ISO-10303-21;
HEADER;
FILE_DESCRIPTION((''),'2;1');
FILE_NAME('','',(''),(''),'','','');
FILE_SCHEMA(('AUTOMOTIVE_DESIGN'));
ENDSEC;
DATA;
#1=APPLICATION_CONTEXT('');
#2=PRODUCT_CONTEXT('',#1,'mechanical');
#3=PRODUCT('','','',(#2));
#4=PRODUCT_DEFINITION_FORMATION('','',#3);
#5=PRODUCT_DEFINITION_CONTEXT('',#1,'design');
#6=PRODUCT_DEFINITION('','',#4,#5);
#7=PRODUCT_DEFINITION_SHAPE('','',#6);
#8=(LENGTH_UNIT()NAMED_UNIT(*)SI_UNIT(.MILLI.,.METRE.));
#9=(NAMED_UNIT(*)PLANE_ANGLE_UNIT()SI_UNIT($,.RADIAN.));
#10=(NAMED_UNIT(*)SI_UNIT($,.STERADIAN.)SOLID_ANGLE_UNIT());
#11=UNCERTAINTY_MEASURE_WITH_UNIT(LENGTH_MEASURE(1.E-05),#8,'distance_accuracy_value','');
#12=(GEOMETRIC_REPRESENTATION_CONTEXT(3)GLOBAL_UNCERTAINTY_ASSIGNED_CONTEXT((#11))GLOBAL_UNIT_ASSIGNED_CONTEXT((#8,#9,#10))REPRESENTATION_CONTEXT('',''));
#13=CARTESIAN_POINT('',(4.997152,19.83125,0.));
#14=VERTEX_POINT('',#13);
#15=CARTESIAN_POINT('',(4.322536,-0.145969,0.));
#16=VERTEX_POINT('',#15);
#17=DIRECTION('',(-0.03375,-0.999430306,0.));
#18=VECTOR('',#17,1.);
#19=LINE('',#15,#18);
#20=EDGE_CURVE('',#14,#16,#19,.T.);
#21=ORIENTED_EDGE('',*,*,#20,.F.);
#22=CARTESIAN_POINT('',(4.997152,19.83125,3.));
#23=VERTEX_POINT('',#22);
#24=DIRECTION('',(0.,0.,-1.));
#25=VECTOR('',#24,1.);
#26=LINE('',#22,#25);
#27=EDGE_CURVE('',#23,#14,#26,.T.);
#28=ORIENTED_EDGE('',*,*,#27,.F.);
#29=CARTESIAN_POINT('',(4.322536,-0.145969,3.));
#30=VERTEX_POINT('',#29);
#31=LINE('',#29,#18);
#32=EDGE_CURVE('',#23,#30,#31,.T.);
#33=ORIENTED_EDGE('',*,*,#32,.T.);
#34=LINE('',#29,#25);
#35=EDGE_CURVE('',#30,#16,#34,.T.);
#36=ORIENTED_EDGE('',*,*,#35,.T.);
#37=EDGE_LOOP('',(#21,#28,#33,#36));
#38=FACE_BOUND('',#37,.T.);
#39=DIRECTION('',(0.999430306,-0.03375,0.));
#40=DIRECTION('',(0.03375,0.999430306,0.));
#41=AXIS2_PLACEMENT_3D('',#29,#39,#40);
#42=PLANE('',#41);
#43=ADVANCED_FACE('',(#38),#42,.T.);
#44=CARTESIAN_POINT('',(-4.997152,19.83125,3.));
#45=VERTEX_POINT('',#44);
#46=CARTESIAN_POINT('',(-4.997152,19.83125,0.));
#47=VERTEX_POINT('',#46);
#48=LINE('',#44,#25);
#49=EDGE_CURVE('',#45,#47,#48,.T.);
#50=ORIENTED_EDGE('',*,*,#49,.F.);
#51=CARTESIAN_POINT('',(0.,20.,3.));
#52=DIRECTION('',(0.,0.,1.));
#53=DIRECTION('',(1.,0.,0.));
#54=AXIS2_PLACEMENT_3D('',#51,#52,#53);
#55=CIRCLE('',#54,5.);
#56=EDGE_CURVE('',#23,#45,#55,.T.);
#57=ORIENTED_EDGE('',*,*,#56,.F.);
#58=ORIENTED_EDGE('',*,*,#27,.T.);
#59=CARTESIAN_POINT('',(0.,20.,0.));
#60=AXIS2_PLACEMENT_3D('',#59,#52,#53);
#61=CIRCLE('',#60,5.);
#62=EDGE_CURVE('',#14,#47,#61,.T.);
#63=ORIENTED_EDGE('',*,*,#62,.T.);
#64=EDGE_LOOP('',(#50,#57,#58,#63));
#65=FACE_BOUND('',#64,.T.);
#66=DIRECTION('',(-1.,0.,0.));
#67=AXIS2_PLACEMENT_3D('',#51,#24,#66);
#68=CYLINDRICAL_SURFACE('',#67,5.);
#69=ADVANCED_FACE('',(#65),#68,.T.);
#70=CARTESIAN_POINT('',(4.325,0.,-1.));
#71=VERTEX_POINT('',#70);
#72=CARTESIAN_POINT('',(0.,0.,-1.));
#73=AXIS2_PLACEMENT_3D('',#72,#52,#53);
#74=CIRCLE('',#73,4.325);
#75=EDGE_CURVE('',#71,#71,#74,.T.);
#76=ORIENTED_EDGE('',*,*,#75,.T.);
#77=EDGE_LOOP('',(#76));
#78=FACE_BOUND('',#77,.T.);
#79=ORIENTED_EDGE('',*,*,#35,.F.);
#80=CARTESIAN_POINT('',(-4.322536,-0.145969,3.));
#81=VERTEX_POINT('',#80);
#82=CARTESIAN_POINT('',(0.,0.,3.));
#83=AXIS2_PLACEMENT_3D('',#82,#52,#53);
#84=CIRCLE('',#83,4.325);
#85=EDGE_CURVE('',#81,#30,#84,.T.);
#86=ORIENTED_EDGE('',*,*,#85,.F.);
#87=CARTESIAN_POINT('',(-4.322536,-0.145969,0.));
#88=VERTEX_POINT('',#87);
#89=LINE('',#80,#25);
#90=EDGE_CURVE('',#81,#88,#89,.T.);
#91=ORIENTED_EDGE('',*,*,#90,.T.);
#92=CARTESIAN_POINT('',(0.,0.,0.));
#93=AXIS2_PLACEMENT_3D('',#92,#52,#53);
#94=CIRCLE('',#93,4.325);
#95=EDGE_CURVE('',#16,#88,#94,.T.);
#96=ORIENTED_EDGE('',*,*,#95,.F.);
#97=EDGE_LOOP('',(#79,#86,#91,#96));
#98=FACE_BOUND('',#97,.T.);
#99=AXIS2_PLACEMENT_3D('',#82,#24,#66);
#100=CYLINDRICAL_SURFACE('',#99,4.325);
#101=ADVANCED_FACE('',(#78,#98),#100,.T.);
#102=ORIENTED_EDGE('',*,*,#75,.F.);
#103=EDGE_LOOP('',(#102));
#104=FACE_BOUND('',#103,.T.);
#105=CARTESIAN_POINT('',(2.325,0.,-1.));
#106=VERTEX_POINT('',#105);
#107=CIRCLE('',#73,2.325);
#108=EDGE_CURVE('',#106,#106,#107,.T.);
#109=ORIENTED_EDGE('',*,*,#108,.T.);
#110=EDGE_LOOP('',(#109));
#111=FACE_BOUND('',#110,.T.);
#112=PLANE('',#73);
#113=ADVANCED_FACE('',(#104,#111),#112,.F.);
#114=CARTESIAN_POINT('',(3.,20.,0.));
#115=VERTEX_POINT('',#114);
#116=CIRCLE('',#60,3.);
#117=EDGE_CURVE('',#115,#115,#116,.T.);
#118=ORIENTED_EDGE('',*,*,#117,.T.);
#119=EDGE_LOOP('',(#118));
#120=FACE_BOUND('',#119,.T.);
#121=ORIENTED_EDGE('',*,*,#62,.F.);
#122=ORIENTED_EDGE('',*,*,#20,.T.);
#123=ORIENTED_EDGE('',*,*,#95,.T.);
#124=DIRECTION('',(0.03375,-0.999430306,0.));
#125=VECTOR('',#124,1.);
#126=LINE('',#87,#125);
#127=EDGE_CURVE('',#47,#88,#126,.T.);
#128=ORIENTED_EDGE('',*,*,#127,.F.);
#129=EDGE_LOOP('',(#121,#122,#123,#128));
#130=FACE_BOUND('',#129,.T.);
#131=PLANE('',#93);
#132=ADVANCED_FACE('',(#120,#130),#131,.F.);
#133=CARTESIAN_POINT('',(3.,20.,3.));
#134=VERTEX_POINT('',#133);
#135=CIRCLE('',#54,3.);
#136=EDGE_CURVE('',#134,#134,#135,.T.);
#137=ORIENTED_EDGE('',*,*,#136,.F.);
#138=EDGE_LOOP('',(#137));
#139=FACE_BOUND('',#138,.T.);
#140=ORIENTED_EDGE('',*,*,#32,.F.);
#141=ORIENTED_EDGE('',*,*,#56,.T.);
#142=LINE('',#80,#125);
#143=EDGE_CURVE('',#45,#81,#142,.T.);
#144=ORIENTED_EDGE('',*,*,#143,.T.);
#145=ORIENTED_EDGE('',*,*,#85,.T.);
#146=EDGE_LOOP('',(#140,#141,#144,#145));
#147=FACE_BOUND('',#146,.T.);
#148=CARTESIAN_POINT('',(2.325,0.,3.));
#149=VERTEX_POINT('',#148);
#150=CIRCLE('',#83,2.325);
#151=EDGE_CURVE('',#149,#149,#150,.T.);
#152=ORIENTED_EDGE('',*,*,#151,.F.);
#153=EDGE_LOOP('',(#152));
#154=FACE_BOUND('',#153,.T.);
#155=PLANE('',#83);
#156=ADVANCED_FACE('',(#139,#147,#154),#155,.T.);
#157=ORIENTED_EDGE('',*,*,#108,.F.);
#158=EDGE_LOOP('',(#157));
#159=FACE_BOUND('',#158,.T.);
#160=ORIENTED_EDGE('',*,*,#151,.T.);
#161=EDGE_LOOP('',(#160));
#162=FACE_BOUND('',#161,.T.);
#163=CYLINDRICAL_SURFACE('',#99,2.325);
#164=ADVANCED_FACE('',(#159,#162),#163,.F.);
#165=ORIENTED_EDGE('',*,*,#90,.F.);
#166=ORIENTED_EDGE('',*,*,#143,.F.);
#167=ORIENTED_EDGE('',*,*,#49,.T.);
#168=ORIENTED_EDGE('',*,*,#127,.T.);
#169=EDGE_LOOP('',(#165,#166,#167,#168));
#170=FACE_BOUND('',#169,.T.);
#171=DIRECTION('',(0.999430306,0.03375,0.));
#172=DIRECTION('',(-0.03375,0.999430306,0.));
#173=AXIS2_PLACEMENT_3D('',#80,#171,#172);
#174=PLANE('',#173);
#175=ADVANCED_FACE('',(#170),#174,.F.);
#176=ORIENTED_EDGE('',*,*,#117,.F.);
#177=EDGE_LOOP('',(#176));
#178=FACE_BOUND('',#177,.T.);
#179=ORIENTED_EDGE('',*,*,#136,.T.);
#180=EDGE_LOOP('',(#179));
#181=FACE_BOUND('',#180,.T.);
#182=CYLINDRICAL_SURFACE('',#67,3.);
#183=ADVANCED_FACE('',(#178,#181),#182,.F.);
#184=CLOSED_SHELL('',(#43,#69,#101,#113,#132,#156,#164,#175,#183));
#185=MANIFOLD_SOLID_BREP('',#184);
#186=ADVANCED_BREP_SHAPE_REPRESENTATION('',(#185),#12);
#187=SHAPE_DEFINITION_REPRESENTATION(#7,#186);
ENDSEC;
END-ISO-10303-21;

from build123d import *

# Parameters (mm, degrees)
SKETCH1_R           = 2.325
SKETCH1_R_2         = 3
BOSS_EXTRUDE1_DEPTH = 3
BOSS_EXTRUDE2_START = -1
SKETCH1_3_R         = 4.325
SKETCH1_3_R_2       = 2.325
BOSS_EXTRUDE2_DEPTH = 1


with BuildPart() as part:
    # Sketch1 → Boss-Extrude1 (new body)
    with BuildSketch(Plane.XY):
        with BuildLine():
            Line((-4.997151532, 19.83125), (-4.322536076, -0.14596875))
            ThreePointArc((-4.322536076, -0.14596875), (0, -4.325), (4.322536076, -0.14596875))
            Line((4.322536076, -0.14596875), (4.997151532, 19.83125))
            ThreePointArc((4.997151532, 19.83125), (0, 25), (-4.997151532, 19.83125))
        make_face()
        Circle(SKETCH1_R, mode=Mode.SUBTRACT)
        with Locations((0, 20)):
            Circle(SKETCH1_R_2, mode=Mode.SUBTRACT)
    extrude(amount=BOSS_EXTRUDE1_DEPTH)

    # Sketch1<3> → Boss-Extrude2 (add)
    with BuildSketch(Plane.XY.offset(BOSS_EXTRUDE2_START)):
        with Locations(Location((0, 0, 0), (0, 0, 181.934099854))):
            Circle(SKETCH1_3_R)
        Circle(SKETCH1_3_R_2, mode=Mode.SUBTRACT)
    extrude(amount=BOSS_EXTRUDE2_DEPTH)


solid = part.part
